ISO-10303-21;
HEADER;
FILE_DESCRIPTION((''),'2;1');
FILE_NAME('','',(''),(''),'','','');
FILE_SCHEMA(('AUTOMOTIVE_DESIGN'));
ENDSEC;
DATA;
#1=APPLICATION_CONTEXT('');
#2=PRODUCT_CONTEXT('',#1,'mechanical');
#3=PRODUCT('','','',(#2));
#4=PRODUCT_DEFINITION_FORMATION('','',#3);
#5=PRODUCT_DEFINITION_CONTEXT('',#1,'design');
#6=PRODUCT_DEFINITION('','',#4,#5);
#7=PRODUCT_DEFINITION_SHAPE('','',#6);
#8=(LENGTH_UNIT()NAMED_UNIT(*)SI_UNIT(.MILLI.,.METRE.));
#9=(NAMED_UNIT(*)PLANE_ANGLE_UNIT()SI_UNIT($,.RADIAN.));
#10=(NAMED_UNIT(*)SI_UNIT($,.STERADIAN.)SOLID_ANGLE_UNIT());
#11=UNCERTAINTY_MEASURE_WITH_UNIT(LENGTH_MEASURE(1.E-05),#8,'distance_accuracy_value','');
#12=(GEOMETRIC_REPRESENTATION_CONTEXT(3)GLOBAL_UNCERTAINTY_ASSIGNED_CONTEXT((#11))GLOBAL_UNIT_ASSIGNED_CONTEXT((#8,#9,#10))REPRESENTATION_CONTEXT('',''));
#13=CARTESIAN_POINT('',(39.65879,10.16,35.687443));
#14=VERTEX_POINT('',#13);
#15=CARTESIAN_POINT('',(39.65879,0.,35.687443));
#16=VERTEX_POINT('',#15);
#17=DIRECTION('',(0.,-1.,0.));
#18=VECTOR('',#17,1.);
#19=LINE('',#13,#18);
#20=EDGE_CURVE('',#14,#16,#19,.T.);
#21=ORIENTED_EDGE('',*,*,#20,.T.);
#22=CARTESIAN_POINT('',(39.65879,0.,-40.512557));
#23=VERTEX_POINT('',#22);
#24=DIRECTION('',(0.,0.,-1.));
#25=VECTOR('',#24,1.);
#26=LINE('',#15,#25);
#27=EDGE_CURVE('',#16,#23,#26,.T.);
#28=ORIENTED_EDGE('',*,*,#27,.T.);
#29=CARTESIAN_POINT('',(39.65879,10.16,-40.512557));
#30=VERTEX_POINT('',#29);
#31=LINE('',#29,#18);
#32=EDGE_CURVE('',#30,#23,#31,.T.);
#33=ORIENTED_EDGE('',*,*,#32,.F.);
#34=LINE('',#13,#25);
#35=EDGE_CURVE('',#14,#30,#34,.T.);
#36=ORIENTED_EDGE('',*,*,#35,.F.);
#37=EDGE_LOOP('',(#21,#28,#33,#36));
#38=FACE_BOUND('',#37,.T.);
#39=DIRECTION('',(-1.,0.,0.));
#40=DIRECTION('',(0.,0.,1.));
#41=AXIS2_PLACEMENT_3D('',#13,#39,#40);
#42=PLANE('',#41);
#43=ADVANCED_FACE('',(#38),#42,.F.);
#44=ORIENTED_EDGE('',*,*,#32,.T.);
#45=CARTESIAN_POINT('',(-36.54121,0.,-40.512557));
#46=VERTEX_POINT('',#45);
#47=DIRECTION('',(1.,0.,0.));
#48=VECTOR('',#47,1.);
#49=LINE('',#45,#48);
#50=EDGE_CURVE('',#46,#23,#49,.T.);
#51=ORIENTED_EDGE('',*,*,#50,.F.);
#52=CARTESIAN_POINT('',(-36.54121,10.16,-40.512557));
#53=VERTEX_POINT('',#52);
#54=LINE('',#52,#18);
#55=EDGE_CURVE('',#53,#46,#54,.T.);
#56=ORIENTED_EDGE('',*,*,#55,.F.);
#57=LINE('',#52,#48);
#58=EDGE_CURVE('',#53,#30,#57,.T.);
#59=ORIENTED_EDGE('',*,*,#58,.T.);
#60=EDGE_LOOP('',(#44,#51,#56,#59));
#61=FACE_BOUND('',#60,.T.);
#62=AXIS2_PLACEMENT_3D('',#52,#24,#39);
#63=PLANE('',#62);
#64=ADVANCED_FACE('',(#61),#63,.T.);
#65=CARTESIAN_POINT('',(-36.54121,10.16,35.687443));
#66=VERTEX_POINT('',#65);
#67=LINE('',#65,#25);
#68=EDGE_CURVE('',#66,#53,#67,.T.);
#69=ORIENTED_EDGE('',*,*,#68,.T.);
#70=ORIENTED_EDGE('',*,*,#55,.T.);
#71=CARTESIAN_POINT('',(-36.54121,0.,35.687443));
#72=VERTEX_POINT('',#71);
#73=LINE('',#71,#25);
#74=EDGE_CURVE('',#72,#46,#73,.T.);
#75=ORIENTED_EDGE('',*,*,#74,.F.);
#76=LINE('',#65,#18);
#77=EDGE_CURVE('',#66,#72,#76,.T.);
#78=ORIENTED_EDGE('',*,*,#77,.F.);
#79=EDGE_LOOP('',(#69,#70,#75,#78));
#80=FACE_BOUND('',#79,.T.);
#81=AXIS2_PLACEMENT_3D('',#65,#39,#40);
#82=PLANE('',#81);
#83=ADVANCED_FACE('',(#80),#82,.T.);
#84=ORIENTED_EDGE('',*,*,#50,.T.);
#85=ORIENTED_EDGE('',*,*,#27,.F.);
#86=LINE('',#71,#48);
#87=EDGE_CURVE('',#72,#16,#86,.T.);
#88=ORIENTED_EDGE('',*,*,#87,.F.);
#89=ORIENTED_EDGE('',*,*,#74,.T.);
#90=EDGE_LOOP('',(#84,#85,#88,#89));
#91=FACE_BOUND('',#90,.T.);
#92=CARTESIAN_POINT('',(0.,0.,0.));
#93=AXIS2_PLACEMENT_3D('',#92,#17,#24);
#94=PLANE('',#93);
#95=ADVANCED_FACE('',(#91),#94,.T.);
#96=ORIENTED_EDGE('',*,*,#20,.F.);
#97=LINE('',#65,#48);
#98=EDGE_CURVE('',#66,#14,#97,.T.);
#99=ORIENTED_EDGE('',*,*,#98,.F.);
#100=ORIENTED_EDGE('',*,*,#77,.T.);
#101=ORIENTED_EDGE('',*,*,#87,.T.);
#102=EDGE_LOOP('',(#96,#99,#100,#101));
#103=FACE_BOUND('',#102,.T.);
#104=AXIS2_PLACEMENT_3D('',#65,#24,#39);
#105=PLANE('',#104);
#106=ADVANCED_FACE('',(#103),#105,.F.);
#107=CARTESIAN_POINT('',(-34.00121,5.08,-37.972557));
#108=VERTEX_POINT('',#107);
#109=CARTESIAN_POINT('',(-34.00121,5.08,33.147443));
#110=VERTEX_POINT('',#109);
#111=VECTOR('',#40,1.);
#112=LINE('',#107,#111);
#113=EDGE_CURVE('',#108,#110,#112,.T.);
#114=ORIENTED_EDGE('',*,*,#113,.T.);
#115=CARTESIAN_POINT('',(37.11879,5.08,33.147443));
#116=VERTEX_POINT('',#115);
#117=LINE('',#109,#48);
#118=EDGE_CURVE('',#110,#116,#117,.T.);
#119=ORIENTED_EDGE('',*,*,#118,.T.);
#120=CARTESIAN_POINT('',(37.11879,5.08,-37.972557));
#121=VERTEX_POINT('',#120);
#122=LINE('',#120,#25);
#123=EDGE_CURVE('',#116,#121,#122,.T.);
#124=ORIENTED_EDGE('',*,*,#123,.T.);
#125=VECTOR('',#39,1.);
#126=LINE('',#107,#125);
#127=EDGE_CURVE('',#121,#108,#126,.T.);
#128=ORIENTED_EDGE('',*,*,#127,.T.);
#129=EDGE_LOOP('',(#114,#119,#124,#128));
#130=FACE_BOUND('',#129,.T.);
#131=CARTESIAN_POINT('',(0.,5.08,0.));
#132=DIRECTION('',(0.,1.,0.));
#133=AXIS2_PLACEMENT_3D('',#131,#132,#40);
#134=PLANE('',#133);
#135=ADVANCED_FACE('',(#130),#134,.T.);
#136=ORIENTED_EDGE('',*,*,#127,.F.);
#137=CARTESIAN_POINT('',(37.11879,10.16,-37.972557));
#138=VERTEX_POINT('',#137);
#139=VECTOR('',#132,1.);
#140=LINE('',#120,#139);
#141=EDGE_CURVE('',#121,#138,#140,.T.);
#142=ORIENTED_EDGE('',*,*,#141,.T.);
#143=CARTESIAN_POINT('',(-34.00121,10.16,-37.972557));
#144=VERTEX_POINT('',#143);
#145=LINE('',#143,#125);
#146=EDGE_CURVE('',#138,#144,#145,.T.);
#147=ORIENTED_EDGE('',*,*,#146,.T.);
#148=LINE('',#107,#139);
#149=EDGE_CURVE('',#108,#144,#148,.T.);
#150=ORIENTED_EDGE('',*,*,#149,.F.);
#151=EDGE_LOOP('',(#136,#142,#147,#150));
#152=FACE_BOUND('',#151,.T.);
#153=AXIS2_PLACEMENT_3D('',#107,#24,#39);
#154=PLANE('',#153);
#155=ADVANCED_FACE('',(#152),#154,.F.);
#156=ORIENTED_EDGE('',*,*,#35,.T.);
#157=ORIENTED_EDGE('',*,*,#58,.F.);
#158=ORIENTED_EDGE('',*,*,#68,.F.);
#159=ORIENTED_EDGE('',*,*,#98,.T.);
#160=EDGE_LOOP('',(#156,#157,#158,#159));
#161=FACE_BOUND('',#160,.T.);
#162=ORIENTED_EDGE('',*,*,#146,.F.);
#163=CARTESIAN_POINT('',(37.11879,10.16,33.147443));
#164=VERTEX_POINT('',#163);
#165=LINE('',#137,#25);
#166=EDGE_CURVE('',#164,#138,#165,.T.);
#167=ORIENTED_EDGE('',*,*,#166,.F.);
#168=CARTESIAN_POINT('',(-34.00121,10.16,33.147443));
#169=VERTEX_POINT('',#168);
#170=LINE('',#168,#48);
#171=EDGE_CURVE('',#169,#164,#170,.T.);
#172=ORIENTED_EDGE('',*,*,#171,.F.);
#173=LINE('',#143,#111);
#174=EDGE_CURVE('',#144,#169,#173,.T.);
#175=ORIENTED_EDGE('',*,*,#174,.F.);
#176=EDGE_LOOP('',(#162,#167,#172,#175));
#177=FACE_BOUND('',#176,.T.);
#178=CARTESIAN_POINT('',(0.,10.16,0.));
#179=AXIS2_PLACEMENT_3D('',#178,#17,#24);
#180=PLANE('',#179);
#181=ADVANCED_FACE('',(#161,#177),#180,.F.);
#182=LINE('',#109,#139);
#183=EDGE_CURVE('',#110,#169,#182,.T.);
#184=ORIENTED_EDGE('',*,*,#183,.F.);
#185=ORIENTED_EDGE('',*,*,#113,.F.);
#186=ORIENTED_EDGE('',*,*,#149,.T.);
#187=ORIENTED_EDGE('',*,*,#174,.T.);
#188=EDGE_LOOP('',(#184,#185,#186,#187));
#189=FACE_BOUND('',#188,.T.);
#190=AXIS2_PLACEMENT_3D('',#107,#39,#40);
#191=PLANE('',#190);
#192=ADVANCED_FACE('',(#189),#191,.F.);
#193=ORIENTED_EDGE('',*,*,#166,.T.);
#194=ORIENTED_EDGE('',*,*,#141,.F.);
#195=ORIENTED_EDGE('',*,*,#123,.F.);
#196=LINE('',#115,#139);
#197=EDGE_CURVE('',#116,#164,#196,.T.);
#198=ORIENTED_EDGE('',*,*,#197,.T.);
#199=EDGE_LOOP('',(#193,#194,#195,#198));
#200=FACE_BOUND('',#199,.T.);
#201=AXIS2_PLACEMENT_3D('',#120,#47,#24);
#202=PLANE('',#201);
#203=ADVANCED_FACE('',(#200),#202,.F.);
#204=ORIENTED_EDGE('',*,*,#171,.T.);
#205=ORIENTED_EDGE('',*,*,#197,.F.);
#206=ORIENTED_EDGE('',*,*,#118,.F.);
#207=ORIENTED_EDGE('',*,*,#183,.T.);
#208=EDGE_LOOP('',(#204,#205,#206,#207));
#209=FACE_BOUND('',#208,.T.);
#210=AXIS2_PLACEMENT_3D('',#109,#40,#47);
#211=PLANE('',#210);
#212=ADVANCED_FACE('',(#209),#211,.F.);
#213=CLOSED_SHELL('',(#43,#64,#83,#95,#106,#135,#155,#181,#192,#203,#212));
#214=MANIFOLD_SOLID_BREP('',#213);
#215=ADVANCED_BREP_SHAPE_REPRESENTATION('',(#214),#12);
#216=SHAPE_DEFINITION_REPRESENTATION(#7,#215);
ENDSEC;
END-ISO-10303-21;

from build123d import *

# Parameters (mm, degrees)
SKETCH1_W           = 76.2
SKETCH1_H           = 76.2
BOSS_EXTRUDE1_DEPTH = 10.16
SKETCH4_W           = 71.12
SKETCH4_H           = 71.12
CUT_EXTRUDE1_DEPTH  = 5.08


with BuildPart() as part:
    # Sketch1 → Boss-Extrude1 (new body)
    with BuildSketch(Plane(origin=(0, 0, 0), x_dir=(1, 0, 0), z_dir=(0, 1, 0))):
        with Locations((1.558790409, 2.412556988)):
            Rectangle(SKETCH1_W, SKETCH1_H)
    extrude(amount=BOSS_EXTRUDE1_DEPTH)

    # Sketch4 → Cut-Extrude1 (cut)
    with BuildSketch(Plane(origin=(0, 10.16, 0), x_dir=(1, 0, 0), z_dir=(0, 1, 0))):
        with Locations((1.558790409, 2.412556988)):
            Rectangle(SKETCH4_W, SKETCH4_H)
    extrude(amount=-CUT_EXTRUDE1_DEPTH, mode=Mode.SUBTRACT)


solid = part.part
